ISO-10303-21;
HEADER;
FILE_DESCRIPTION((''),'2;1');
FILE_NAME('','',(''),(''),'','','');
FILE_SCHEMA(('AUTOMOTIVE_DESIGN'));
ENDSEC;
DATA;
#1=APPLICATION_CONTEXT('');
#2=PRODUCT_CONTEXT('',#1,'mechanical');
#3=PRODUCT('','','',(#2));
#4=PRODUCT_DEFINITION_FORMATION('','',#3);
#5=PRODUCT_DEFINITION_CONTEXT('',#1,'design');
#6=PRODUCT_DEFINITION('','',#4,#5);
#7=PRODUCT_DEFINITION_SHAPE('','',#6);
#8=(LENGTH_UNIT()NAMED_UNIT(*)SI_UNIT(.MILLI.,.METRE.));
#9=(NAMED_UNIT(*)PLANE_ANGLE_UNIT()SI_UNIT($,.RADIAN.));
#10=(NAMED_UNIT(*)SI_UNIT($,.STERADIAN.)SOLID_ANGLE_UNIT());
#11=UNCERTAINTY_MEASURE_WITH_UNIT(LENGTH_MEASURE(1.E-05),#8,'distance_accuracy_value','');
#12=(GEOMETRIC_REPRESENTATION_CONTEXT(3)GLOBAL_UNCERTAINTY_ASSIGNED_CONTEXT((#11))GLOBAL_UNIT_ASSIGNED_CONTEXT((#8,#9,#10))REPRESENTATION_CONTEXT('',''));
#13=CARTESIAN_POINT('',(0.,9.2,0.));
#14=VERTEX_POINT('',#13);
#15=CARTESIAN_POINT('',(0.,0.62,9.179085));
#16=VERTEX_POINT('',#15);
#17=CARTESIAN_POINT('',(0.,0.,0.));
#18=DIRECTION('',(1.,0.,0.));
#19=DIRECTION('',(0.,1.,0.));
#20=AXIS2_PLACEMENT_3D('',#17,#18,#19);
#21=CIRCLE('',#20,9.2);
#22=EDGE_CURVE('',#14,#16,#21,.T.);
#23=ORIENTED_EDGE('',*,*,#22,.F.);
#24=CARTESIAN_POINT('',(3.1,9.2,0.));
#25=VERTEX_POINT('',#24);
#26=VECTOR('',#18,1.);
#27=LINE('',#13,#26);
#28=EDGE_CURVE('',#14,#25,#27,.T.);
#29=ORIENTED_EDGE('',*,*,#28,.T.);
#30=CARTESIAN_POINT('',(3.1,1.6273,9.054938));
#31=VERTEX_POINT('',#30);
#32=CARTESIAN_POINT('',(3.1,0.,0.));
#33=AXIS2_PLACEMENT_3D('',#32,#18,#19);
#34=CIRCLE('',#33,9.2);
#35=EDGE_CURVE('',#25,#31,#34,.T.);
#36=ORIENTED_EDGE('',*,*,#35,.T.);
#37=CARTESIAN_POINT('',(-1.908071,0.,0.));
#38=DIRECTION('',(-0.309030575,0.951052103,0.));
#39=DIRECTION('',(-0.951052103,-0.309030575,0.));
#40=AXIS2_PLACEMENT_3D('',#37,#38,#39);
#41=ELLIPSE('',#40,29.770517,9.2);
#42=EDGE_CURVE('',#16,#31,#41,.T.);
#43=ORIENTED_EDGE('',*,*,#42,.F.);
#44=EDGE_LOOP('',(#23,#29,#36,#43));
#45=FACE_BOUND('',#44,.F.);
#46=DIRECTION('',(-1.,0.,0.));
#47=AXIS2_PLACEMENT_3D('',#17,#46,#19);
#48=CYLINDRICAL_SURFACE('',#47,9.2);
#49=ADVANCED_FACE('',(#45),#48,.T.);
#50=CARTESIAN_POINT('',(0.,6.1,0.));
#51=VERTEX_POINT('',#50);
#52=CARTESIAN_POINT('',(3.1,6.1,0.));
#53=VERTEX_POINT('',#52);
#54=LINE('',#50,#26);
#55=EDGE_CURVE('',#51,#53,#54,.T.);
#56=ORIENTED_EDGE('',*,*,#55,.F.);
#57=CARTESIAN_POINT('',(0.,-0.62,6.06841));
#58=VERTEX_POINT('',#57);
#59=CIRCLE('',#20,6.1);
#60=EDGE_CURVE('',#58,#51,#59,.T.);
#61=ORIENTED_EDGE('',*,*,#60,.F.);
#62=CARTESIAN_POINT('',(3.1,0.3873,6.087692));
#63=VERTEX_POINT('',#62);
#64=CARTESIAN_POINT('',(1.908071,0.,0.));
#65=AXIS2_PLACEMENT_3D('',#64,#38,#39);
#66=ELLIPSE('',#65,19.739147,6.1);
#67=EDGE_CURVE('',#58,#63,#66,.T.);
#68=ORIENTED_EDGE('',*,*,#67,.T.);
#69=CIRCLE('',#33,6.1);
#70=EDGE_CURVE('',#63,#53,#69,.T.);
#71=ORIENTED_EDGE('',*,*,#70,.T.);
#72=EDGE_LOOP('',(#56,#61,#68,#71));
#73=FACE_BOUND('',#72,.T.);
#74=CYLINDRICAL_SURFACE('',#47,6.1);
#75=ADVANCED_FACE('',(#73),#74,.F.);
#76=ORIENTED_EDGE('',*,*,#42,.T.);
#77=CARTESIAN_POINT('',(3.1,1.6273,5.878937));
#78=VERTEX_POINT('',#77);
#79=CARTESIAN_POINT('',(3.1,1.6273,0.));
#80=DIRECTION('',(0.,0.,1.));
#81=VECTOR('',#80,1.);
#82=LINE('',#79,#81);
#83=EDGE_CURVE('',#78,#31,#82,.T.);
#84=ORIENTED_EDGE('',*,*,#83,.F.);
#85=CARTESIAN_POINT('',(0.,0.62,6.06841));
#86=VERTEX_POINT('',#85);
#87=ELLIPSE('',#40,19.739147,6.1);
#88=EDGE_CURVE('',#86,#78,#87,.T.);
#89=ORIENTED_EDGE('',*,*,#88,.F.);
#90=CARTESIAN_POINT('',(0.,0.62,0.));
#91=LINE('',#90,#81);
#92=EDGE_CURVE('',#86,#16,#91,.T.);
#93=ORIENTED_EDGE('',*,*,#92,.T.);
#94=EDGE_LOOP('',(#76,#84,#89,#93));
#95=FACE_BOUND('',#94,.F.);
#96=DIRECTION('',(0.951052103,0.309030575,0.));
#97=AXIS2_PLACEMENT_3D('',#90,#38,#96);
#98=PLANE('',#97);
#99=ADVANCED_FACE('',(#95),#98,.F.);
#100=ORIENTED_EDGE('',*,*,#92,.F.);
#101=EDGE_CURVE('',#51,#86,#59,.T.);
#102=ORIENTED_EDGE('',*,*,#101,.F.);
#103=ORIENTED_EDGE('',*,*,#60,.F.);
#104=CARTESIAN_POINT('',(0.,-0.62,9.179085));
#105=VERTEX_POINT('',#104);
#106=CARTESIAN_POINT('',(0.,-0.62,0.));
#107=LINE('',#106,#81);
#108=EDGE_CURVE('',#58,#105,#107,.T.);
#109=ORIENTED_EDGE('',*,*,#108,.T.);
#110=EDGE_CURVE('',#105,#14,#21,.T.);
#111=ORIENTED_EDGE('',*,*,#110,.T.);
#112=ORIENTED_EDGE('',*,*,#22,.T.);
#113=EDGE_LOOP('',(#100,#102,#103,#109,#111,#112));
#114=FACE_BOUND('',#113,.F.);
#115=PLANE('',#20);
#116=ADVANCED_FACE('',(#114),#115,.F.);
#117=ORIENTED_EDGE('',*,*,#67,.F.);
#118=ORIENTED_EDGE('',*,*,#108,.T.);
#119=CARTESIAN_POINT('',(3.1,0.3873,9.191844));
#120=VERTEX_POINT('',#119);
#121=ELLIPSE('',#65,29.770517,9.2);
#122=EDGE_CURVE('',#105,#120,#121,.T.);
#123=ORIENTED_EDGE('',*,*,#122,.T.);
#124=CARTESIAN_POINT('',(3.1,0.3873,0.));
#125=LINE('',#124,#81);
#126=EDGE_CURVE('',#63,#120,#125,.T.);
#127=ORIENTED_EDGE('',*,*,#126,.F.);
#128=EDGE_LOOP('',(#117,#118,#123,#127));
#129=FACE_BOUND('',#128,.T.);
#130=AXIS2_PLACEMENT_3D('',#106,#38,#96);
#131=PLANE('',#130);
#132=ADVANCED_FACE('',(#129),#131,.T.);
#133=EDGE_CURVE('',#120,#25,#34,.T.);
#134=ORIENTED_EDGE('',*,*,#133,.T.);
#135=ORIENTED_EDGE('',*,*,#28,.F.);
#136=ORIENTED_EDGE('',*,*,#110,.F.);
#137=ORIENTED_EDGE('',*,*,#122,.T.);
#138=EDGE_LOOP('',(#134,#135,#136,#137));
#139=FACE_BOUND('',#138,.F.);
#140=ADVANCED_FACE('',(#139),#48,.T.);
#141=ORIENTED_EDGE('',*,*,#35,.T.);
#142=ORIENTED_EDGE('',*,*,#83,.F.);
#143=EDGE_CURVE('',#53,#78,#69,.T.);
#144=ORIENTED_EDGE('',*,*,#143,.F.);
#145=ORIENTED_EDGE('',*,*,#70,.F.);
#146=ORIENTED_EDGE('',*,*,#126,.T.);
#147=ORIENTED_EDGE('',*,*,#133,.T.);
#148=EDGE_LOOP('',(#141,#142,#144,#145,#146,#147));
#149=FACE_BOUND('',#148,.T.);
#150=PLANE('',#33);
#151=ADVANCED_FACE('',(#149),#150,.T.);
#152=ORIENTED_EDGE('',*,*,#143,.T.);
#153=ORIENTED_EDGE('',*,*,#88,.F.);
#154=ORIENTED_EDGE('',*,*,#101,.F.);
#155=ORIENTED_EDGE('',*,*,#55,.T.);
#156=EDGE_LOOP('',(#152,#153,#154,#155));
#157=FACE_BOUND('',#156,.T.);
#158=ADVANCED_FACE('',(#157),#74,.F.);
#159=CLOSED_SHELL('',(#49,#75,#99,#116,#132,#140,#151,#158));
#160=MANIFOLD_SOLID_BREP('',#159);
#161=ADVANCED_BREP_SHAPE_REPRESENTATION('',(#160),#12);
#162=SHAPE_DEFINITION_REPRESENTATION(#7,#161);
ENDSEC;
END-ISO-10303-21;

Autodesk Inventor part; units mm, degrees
ref_plane "YZ Plane" through (0, 0, 0) normal (1, 0, 0) x (0, 1, 0)
ref_plane "XZ Plane" through (0, 0, 0) normal (0, 1, 0) x (-1, 0, 0)
sketch "草图1" plane through (0, 0, 0) normal (1, 0, 0) x (0, 1, 0)
  circle A0 centre (0, 0) radius 9.2
  circle A1 centre (0, 0) radius 6.1
  dimension "d0" = 12.2
  dimension "d1" = 18.4
extrude "轴承体" add sketch "草图1" along normal blind 3.1
sketch "草图2" plane through (0, 0, 0) normal (0, 0, 1) x (1, 0, 0)
  line L0 (0, -6.1) -> (0, 6.1) projected
  line L1 (3.1, 9.2) -> (3.1, -9.2) projected
  line L2 (-1.2, 0) -> (7.2, 0) projected
  line L3 (0, -0.62) -> (3.1, 0.3873)
  line L4 (0, 0.62) -> (3.1, 1.6273)
  dimension "d4" = 0.62
  dimension "d5" = 0.62
  dimension "d6" = 72
extrude "切口" cut sketch "草图2" along normal up to next contours L0 L2 L3 | L0 L4 L1 L3 L2
ref_plane "Work Plane1" through (0, 0, 0) normal (0, -1, 0) x (1, 0, 0)
equation "\"d0\" = SD1"
equation "\"d1\" = SD2"
equation "\"d2\" = SD"
equation "\"d4\" = 0.2 * SD"
equation "\"d5\" = 0.2 * SD"
equation "\"d6\" = FAWI"
equation "\"d7\" = SD"
equation "\"SD1\" = 12.2"
equation "\"SD2\" = 18.4"
equation "\"SD\" = 3.1"
equation "\"FAWI\" = 72deg"
equation "\"NND\" = 12"
properties part number "垫圈 GB 93-87 12" material "钢，软"
